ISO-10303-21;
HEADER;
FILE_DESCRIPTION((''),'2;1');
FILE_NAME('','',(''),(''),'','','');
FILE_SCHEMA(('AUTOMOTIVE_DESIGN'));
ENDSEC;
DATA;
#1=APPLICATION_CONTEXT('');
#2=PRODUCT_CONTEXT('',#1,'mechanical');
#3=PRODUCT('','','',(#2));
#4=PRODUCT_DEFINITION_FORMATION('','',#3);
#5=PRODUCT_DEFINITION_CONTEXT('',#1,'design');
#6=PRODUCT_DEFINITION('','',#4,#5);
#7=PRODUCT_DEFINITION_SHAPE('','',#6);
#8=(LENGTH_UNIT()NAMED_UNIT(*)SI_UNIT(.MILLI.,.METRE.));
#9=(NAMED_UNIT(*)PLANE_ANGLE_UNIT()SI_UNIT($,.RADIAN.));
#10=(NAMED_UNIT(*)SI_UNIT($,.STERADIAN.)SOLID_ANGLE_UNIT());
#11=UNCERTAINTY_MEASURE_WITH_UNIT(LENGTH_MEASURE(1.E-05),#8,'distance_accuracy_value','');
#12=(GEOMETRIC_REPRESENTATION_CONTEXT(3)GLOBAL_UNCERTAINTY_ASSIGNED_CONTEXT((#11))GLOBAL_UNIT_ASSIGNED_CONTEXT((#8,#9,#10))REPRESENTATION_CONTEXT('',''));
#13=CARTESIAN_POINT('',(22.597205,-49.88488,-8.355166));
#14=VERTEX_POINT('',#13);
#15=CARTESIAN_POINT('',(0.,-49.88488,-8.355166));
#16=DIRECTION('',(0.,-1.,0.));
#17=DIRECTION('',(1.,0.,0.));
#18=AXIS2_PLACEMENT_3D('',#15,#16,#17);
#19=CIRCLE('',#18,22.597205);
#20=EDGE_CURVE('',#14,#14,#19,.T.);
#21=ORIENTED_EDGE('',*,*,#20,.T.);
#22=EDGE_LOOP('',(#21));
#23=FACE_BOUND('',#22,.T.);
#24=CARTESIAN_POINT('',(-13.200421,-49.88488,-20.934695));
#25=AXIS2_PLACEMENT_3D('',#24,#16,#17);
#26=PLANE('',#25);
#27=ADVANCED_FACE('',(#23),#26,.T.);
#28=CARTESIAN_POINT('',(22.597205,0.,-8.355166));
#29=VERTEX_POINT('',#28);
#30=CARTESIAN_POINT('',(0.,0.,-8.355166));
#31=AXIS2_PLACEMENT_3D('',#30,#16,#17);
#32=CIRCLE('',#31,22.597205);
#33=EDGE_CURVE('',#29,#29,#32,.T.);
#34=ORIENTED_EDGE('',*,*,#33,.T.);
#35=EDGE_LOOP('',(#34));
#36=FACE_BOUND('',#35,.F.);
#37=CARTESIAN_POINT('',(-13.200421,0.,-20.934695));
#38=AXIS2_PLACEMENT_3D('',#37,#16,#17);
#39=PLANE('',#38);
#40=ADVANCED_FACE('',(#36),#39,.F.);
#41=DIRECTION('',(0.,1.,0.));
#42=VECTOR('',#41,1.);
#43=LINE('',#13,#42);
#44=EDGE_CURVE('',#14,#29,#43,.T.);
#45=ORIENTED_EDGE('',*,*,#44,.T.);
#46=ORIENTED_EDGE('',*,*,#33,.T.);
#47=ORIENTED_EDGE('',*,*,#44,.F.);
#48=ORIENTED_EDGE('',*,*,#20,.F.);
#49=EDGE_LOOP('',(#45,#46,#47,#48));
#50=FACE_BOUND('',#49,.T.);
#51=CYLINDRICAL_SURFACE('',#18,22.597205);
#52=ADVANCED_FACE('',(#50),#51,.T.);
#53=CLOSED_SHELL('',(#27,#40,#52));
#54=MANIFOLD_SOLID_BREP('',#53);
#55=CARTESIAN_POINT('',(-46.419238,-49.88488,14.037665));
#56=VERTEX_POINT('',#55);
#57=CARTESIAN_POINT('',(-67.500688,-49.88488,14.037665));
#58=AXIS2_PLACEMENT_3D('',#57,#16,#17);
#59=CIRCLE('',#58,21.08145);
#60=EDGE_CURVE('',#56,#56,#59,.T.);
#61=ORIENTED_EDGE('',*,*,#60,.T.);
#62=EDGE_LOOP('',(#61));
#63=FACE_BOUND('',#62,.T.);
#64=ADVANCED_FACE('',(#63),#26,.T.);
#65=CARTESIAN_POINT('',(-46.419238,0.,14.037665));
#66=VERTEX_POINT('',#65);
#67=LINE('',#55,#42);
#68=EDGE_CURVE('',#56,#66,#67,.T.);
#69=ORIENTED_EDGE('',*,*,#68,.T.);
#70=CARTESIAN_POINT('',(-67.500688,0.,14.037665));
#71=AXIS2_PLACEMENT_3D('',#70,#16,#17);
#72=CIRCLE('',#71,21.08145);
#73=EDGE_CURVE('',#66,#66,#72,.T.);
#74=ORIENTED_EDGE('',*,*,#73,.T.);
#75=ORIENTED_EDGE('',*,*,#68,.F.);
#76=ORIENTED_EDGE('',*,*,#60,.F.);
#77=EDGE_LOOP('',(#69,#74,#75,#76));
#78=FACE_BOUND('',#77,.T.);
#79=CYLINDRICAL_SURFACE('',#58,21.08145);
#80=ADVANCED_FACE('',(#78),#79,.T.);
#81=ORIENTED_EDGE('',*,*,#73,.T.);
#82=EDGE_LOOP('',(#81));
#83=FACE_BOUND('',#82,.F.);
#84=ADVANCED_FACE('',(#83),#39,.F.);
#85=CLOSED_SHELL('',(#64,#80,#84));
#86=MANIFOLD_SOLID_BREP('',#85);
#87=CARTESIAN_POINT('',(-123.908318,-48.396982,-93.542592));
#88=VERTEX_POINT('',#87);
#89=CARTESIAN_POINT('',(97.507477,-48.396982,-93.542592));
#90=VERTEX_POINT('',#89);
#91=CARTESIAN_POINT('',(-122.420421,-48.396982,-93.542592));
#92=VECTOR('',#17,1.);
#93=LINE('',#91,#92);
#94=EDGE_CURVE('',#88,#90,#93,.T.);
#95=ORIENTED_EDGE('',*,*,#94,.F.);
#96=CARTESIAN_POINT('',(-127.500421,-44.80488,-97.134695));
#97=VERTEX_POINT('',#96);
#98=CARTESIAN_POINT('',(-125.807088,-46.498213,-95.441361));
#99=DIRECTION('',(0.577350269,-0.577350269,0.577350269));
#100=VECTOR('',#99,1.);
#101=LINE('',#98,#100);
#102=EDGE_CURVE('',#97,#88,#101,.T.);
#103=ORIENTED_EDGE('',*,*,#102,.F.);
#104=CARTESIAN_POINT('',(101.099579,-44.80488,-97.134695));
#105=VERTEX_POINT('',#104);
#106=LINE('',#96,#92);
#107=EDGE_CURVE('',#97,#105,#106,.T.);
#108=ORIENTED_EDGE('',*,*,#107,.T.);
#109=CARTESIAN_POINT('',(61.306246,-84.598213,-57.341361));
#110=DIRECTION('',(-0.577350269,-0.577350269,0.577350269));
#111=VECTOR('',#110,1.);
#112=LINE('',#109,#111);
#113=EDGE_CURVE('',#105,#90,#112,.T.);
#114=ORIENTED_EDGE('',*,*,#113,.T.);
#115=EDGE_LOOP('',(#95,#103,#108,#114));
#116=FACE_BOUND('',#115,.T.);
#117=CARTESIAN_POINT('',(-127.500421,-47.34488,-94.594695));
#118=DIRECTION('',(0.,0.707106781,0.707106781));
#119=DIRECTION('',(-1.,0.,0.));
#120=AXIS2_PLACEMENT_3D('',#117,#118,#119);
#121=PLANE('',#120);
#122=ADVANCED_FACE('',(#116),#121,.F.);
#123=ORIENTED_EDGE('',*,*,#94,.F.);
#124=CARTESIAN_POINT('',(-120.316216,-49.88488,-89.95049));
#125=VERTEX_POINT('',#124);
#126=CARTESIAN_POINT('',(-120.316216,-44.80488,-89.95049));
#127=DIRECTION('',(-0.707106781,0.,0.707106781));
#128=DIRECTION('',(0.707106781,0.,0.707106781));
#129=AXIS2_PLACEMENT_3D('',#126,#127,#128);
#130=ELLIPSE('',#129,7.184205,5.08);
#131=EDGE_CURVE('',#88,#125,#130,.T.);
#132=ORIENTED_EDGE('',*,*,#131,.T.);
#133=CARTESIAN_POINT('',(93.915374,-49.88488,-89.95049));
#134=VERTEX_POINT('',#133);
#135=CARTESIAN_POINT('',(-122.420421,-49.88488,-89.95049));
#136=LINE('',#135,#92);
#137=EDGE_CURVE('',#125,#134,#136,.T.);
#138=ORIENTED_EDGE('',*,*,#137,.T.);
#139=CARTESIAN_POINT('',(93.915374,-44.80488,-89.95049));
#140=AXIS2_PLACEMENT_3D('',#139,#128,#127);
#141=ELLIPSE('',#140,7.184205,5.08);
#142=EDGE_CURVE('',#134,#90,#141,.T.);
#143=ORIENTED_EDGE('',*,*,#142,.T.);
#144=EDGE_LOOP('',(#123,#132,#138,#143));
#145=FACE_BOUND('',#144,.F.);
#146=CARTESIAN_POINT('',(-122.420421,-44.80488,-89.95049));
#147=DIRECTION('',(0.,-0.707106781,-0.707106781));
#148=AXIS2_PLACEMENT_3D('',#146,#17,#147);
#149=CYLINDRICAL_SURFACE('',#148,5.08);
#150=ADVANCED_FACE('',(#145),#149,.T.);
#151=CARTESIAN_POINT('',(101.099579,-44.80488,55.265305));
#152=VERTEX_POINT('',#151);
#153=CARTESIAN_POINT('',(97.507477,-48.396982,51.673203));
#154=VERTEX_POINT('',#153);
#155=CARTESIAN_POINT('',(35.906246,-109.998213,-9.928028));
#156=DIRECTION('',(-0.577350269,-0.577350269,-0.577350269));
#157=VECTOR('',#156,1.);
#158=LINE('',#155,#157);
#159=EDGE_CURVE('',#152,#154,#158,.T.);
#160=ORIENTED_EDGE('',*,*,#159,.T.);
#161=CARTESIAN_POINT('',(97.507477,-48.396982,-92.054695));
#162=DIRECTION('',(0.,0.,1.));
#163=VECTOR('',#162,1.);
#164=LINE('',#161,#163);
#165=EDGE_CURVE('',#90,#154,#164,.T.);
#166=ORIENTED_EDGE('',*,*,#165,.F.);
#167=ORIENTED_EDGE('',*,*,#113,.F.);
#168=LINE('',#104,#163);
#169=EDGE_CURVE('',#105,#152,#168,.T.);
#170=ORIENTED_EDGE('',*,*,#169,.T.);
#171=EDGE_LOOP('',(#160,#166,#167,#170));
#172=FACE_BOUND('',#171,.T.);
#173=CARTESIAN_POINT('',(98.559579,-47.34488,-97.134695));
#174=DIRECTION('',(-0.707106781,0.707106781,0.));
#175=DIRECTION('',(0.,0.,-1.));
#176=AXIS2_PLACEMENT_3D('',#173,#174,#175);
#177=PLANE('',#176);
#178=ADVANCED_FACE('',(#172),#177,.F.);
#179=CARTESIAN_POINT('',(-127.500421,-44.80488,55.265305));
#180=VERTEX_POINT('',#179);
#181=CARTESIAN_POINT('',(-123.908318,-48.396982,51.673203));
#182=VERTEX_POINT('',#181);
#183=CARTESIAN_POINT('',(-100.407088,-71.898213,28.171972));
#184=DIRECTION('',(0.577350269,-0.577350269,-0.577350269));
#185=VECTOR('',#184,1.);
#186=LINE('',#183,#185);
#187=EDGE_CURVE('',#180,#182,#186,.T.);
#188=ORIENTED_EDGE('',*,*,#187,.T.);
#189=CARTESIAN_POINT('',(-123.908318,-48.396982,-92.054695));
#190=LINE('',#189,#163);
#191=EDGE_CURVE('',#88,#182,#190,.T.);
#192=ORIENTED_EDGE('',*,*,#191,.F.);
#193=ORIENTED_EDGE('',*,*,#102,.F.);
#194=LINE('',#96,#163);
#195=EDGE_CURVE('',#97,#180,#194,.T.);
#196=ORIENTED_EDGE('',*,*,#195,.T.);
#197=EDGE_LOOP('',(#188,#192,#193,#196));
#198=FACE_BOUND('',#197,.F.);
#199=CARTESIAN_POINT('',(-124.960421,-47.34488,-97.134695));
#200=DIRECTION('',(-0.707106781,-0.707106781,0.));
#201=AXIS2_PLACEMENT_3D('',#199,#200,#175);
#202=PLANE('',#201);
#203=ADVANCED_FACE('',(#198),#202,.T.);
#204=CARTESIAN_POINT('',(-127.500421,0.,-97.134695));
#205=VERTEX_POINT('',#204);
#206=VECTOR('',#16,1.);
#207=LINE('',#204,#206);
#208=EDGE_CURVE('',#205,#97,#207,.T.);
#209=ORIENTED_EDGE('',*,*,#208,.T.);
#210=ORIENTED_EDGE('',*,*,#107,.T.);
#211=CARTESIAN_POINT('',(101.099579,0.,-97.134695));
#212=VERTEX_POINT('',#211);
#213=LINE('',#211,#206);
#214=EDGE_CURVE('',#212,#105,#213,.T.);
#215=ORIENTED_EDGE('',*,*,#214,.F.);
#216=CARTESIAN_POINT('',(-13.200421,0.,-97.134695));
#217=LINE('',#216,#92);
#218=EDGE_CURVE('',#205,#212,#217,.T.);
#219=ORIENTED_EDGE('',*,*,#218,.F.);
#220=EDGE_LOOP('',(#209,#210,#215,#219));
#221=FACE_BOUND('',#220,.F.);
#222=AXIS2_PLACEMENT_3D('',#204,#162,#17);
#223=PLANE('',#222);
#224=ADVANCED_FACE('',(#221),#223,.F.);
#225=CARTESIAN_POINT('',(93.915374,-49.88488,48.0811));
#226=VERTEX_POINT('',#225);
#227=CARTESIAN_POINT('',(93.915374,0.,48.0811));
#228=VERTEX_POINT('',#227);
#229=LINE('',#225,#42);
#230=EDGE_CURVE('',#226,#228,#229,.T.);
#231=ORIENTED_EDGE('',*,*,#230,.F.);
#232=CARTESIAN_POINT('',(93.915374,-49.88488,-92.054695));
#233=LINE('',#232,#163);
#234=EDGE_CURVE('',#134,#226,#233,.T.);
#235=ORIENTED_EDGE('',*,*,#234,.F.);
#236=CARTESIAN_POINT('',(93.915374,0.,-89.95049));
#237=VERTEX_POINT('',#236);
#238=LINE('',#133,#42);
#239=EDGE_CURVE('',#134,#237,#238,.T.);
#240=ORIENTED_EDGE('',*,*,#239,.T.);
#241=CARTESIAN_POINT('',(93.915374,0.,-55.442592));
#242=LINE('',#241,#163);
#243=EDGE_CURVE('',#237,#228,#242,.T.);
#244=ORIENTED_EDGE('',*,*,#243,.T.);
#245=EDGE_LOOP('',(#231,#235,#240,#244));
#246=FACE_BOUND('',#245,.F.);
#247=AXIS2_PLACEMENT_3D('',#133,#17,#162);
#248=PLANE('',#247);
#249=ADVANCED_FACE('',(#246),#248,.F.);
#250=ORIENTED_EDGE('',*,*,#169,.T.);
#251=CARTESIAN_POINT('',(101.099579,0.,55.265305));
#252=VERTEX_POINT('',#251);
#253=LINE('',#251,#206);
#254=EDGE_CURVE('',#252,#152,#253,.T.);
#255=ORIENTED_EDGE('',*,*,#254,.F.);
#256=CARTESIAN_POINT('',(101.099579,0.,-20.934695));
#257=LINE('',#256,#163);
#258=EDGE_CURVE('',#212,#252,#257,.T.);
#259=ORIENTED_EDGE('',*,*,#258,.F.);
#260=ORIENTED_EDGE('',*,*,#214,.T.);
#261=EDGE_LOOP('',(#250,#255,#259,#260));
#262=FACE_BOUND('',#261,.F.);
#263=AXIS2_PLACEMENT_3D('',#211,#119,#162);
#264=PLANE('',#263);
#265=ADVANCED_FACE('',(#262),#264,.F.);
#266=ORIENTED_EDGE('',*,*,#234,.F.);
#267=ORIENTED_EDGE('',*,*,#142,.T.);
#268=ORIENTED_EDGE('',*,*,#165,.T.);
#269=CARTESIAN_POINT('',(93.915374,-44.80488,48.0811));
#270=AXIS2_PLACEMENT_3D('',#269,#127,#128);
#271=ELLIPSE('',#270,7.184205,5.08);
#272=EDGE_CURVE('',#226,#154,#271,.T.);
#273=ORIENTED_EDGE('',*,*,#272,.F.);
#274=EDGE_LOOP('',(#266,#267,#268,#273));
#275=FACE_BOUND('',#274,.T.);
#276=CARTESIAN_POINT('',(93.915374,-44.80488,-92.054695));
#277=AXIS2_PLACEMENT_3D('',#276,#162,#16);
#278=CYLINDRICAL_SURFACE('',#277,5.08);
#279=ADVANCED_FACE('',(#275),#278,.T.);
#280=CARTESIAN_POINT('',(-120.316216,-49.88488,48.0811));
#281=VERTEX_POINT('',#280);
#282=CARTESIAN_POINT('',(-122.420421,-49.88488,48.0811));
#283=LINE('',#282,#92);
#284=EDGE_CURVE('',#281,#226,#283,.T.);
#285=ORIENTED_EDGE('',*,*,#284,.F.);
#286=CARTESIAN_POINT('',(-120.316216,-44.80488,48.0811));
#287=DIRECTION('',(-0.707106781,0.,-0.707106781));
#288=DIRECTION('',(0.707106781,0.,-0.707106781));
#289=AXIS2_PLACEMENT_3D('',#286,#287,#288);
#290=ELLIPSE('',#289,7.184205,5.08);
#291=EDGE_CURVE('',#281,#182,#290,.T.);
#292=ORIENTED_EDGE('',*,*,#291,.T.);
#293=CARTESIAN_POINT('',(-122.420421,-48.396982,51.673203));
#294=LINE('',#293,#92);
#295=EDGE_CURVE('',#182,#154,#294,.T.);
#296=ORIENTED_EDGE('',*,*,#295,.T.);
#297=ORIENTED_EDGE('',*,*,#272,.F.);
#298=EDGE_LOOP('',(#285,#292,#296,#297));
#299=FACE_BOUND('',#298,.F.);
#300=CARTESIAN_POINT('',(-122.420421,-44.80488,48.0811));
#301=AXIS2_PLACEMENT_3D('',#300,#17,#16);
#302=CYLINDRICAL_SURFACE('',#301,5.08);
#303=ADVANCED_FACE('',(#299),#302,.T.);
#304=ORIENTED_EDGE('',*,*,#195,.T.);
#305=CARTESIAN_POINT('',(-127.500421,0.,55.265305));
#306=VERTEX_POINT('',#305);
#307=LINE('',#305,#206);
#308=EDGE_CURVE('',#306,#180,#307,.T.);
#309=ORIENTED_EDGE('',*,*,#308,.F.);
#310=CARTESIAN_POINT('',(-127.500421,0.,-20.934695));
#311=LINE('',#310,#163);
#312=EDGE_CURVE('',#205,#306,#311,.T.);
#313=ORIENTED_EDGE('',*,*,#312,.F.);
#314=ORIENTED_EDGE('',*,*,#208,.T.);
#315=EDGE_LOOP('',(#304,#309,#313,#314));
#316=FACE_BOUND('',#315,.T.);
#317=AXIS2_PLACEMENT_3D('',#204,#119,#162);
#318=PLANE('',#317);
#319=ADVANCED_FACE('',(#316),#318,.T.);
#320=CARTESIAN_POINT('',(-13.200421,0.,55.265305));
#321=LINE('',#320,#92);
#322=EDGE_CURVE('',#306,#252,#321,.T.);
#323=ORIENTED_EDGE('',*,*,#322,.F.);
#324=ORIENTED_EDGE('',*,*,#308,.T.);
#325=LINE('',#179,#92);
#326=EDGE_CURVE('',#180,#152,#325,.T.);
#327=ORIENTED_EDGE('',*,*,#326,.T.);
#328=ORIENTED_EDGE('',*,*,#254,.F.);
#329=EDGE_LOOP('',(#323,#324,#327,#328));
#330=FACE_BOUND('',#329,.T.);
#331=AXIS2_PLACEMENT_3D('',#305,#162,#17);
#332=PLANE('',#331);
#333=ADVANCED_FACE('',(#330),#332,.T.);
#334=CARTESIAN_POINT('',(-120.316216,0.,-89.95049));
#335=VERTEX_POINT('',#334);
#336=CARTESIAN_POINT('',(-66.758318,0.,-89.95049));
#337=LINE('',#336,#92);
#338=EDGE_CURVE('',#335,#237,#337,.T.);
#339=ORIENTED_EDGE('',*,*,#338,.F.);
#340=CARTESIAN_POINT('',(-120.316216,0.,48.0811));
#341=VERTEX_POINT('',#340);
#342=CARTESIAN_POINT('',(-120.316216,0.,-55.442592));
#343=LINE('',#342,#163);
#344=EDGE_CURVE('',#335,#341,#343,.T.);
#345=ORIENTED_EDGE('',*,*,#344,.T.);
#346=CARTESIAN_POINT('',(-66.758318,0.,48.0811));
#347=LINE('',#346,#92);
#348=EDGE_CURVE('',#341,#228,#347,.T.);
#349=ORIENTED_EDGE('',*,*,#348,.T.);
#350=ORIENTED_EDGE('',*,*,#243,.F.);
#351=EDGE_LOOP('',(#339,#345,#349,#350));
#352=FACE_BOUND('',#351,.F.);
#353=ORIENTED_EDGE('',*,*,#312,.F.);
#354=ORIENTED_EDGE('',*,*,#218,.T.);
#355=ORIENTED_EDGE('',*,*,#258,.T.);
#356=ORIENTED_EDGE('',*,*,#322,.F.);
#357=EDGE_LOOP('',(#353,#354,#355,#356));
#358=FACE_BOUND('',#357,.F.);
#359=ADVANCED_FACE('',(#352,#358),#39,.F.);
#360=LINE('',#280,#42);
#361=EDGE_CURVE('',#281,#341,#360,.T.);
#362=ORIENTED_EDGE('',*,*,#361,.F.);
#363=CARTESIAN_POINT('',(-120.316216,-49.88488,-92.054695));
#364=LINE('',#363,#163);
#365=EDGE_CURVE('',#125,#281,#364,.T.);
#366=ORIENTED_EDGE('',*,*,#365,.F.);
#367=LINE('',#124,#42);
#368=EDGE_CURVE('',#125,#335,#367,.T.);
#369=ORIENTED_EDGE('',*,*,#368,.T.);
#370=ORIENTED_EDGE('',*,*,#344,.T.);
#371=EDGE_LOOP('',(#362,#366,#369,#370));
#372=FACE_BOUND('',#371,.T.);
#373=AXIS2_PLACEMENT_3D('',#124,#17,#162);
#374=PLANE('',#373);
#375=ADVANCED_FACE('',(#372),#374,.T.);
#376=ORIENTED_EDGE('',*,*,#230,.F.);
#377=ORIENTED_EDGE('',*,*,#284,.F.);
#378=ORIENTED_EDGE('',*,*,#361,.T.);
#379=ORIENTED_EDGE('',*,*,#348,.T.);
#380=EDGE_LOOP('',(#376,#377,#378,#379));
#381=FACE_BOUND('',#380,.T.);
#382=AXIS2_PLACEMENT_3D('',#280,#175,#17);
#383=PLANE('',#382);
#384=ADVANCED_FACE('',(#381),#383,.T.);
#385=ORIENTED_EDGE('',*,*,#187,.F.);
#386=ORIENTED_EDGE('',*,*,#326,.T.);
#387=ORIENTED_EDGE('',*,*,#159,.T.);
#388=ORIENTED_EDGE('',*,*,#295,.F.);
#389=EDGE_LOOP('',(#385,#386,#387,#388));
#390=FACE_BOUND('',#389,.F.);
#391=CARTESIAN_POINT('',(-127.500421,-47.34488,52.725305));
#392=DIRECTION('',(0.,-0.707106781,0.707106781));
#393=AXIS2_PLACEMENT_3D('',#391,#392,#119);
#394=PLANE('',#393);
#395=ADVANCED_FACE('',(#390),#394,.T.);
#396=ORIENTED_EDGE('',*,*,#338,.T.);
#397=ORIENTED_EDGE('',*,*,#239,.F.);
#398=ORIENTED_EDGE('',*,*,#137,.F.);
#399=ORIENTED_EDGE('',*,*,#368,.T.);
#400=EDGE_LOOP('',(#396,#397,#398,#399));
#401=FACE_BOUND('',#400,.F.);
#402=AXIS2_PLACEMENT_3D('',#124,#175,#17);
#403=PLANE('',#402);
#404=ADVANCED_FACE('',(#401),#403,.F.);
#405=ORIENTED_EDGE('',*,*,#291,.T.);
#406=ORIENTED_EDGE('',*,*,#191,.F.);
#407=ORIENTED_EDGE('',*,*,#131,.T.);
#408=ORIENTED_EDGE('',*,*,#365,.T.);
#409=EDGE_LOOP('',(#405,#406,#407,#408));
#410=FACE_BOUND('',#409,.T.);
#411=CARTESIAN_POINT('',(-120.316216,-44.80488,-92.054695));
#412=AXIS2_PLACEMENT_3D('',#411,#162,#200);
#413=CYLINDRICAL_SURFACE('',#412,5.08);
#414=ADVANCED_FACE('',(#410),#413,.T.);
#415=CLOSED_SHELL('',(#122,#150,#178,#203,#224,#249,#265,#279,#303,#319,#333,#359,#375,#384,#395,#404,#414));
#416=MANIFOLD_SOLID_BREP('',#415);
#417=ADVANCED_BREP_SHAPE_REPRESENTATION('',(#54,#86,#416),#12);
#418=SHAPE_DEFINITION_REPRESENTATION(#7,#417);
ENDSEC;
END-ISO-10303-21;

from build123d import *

# Parameters (mm, degrees)
F0_W     = 228.6
F0_H     = 152.4
F1_DEPTH = 49.88488
F2_SIZE  = 5.08
F3_R     = 5.08
F5_W     = 214.2315902063
F5_H     = 138.0315902063
F5_R     = 21.0814502393
F5_R_2   = 22.5972047165
F6_DEPTH = 221.82462


with BuildPart() as f1:
    # F0 (on Front) → F1 (new body)
    with BuildSketch(Plane.XZ):
        with Locations((-13.2004208863, -20.9346948183)):
            Rectangle(F0_W, F0_H)
    extrude(amount=F1_DEPTH)

    # F2
    f2_edges = [f1.edges().sort_by_distance(p)[0] for p in [
        (-13.200421, -49.88488, 55.265305),
        (101.099579, -49.88488, -20.934695),
        (-13.200421, -49.88488, -97.134695),
        (-127.500421, -49.88488, -20.934695),
    ]]
    chamfer(f2_edges, length=F2_SIZE)

    # F3
    f3_edges = [f1.edges().sort_by_distance(p)[0] for p in [
        (-13.200421, -49.88488, 50.185305),
        (-122.420421, -49.88488, -20.934695),
        (96.019579, -49.88488, -20.934695),
        (-13.200421, -49.88488, -92.054695),
    ]]
    fillet(f3_edges, radius=F3_R)

    # F5 (on face) → F6 (cut)
    with BuildSketch(Plane.XZ.offset(49.88488)):
        with Locations((-13.2004208863, -20.9346948183)):
            Rectangle(F5_W, F5_H)
        with Locations((-67.5006881356, 14.0376649797)):
            Circle(F5_R, mode=Mode.SUBTRACT)
        with Locations((0, -8.3551658317)):
            Circle(F5_R_2, mode=Mode.SUBTRACT)
    extrude(amount=-F6_DEPTH, mode=Mode.SUBTRACT)


solid = f1.part
